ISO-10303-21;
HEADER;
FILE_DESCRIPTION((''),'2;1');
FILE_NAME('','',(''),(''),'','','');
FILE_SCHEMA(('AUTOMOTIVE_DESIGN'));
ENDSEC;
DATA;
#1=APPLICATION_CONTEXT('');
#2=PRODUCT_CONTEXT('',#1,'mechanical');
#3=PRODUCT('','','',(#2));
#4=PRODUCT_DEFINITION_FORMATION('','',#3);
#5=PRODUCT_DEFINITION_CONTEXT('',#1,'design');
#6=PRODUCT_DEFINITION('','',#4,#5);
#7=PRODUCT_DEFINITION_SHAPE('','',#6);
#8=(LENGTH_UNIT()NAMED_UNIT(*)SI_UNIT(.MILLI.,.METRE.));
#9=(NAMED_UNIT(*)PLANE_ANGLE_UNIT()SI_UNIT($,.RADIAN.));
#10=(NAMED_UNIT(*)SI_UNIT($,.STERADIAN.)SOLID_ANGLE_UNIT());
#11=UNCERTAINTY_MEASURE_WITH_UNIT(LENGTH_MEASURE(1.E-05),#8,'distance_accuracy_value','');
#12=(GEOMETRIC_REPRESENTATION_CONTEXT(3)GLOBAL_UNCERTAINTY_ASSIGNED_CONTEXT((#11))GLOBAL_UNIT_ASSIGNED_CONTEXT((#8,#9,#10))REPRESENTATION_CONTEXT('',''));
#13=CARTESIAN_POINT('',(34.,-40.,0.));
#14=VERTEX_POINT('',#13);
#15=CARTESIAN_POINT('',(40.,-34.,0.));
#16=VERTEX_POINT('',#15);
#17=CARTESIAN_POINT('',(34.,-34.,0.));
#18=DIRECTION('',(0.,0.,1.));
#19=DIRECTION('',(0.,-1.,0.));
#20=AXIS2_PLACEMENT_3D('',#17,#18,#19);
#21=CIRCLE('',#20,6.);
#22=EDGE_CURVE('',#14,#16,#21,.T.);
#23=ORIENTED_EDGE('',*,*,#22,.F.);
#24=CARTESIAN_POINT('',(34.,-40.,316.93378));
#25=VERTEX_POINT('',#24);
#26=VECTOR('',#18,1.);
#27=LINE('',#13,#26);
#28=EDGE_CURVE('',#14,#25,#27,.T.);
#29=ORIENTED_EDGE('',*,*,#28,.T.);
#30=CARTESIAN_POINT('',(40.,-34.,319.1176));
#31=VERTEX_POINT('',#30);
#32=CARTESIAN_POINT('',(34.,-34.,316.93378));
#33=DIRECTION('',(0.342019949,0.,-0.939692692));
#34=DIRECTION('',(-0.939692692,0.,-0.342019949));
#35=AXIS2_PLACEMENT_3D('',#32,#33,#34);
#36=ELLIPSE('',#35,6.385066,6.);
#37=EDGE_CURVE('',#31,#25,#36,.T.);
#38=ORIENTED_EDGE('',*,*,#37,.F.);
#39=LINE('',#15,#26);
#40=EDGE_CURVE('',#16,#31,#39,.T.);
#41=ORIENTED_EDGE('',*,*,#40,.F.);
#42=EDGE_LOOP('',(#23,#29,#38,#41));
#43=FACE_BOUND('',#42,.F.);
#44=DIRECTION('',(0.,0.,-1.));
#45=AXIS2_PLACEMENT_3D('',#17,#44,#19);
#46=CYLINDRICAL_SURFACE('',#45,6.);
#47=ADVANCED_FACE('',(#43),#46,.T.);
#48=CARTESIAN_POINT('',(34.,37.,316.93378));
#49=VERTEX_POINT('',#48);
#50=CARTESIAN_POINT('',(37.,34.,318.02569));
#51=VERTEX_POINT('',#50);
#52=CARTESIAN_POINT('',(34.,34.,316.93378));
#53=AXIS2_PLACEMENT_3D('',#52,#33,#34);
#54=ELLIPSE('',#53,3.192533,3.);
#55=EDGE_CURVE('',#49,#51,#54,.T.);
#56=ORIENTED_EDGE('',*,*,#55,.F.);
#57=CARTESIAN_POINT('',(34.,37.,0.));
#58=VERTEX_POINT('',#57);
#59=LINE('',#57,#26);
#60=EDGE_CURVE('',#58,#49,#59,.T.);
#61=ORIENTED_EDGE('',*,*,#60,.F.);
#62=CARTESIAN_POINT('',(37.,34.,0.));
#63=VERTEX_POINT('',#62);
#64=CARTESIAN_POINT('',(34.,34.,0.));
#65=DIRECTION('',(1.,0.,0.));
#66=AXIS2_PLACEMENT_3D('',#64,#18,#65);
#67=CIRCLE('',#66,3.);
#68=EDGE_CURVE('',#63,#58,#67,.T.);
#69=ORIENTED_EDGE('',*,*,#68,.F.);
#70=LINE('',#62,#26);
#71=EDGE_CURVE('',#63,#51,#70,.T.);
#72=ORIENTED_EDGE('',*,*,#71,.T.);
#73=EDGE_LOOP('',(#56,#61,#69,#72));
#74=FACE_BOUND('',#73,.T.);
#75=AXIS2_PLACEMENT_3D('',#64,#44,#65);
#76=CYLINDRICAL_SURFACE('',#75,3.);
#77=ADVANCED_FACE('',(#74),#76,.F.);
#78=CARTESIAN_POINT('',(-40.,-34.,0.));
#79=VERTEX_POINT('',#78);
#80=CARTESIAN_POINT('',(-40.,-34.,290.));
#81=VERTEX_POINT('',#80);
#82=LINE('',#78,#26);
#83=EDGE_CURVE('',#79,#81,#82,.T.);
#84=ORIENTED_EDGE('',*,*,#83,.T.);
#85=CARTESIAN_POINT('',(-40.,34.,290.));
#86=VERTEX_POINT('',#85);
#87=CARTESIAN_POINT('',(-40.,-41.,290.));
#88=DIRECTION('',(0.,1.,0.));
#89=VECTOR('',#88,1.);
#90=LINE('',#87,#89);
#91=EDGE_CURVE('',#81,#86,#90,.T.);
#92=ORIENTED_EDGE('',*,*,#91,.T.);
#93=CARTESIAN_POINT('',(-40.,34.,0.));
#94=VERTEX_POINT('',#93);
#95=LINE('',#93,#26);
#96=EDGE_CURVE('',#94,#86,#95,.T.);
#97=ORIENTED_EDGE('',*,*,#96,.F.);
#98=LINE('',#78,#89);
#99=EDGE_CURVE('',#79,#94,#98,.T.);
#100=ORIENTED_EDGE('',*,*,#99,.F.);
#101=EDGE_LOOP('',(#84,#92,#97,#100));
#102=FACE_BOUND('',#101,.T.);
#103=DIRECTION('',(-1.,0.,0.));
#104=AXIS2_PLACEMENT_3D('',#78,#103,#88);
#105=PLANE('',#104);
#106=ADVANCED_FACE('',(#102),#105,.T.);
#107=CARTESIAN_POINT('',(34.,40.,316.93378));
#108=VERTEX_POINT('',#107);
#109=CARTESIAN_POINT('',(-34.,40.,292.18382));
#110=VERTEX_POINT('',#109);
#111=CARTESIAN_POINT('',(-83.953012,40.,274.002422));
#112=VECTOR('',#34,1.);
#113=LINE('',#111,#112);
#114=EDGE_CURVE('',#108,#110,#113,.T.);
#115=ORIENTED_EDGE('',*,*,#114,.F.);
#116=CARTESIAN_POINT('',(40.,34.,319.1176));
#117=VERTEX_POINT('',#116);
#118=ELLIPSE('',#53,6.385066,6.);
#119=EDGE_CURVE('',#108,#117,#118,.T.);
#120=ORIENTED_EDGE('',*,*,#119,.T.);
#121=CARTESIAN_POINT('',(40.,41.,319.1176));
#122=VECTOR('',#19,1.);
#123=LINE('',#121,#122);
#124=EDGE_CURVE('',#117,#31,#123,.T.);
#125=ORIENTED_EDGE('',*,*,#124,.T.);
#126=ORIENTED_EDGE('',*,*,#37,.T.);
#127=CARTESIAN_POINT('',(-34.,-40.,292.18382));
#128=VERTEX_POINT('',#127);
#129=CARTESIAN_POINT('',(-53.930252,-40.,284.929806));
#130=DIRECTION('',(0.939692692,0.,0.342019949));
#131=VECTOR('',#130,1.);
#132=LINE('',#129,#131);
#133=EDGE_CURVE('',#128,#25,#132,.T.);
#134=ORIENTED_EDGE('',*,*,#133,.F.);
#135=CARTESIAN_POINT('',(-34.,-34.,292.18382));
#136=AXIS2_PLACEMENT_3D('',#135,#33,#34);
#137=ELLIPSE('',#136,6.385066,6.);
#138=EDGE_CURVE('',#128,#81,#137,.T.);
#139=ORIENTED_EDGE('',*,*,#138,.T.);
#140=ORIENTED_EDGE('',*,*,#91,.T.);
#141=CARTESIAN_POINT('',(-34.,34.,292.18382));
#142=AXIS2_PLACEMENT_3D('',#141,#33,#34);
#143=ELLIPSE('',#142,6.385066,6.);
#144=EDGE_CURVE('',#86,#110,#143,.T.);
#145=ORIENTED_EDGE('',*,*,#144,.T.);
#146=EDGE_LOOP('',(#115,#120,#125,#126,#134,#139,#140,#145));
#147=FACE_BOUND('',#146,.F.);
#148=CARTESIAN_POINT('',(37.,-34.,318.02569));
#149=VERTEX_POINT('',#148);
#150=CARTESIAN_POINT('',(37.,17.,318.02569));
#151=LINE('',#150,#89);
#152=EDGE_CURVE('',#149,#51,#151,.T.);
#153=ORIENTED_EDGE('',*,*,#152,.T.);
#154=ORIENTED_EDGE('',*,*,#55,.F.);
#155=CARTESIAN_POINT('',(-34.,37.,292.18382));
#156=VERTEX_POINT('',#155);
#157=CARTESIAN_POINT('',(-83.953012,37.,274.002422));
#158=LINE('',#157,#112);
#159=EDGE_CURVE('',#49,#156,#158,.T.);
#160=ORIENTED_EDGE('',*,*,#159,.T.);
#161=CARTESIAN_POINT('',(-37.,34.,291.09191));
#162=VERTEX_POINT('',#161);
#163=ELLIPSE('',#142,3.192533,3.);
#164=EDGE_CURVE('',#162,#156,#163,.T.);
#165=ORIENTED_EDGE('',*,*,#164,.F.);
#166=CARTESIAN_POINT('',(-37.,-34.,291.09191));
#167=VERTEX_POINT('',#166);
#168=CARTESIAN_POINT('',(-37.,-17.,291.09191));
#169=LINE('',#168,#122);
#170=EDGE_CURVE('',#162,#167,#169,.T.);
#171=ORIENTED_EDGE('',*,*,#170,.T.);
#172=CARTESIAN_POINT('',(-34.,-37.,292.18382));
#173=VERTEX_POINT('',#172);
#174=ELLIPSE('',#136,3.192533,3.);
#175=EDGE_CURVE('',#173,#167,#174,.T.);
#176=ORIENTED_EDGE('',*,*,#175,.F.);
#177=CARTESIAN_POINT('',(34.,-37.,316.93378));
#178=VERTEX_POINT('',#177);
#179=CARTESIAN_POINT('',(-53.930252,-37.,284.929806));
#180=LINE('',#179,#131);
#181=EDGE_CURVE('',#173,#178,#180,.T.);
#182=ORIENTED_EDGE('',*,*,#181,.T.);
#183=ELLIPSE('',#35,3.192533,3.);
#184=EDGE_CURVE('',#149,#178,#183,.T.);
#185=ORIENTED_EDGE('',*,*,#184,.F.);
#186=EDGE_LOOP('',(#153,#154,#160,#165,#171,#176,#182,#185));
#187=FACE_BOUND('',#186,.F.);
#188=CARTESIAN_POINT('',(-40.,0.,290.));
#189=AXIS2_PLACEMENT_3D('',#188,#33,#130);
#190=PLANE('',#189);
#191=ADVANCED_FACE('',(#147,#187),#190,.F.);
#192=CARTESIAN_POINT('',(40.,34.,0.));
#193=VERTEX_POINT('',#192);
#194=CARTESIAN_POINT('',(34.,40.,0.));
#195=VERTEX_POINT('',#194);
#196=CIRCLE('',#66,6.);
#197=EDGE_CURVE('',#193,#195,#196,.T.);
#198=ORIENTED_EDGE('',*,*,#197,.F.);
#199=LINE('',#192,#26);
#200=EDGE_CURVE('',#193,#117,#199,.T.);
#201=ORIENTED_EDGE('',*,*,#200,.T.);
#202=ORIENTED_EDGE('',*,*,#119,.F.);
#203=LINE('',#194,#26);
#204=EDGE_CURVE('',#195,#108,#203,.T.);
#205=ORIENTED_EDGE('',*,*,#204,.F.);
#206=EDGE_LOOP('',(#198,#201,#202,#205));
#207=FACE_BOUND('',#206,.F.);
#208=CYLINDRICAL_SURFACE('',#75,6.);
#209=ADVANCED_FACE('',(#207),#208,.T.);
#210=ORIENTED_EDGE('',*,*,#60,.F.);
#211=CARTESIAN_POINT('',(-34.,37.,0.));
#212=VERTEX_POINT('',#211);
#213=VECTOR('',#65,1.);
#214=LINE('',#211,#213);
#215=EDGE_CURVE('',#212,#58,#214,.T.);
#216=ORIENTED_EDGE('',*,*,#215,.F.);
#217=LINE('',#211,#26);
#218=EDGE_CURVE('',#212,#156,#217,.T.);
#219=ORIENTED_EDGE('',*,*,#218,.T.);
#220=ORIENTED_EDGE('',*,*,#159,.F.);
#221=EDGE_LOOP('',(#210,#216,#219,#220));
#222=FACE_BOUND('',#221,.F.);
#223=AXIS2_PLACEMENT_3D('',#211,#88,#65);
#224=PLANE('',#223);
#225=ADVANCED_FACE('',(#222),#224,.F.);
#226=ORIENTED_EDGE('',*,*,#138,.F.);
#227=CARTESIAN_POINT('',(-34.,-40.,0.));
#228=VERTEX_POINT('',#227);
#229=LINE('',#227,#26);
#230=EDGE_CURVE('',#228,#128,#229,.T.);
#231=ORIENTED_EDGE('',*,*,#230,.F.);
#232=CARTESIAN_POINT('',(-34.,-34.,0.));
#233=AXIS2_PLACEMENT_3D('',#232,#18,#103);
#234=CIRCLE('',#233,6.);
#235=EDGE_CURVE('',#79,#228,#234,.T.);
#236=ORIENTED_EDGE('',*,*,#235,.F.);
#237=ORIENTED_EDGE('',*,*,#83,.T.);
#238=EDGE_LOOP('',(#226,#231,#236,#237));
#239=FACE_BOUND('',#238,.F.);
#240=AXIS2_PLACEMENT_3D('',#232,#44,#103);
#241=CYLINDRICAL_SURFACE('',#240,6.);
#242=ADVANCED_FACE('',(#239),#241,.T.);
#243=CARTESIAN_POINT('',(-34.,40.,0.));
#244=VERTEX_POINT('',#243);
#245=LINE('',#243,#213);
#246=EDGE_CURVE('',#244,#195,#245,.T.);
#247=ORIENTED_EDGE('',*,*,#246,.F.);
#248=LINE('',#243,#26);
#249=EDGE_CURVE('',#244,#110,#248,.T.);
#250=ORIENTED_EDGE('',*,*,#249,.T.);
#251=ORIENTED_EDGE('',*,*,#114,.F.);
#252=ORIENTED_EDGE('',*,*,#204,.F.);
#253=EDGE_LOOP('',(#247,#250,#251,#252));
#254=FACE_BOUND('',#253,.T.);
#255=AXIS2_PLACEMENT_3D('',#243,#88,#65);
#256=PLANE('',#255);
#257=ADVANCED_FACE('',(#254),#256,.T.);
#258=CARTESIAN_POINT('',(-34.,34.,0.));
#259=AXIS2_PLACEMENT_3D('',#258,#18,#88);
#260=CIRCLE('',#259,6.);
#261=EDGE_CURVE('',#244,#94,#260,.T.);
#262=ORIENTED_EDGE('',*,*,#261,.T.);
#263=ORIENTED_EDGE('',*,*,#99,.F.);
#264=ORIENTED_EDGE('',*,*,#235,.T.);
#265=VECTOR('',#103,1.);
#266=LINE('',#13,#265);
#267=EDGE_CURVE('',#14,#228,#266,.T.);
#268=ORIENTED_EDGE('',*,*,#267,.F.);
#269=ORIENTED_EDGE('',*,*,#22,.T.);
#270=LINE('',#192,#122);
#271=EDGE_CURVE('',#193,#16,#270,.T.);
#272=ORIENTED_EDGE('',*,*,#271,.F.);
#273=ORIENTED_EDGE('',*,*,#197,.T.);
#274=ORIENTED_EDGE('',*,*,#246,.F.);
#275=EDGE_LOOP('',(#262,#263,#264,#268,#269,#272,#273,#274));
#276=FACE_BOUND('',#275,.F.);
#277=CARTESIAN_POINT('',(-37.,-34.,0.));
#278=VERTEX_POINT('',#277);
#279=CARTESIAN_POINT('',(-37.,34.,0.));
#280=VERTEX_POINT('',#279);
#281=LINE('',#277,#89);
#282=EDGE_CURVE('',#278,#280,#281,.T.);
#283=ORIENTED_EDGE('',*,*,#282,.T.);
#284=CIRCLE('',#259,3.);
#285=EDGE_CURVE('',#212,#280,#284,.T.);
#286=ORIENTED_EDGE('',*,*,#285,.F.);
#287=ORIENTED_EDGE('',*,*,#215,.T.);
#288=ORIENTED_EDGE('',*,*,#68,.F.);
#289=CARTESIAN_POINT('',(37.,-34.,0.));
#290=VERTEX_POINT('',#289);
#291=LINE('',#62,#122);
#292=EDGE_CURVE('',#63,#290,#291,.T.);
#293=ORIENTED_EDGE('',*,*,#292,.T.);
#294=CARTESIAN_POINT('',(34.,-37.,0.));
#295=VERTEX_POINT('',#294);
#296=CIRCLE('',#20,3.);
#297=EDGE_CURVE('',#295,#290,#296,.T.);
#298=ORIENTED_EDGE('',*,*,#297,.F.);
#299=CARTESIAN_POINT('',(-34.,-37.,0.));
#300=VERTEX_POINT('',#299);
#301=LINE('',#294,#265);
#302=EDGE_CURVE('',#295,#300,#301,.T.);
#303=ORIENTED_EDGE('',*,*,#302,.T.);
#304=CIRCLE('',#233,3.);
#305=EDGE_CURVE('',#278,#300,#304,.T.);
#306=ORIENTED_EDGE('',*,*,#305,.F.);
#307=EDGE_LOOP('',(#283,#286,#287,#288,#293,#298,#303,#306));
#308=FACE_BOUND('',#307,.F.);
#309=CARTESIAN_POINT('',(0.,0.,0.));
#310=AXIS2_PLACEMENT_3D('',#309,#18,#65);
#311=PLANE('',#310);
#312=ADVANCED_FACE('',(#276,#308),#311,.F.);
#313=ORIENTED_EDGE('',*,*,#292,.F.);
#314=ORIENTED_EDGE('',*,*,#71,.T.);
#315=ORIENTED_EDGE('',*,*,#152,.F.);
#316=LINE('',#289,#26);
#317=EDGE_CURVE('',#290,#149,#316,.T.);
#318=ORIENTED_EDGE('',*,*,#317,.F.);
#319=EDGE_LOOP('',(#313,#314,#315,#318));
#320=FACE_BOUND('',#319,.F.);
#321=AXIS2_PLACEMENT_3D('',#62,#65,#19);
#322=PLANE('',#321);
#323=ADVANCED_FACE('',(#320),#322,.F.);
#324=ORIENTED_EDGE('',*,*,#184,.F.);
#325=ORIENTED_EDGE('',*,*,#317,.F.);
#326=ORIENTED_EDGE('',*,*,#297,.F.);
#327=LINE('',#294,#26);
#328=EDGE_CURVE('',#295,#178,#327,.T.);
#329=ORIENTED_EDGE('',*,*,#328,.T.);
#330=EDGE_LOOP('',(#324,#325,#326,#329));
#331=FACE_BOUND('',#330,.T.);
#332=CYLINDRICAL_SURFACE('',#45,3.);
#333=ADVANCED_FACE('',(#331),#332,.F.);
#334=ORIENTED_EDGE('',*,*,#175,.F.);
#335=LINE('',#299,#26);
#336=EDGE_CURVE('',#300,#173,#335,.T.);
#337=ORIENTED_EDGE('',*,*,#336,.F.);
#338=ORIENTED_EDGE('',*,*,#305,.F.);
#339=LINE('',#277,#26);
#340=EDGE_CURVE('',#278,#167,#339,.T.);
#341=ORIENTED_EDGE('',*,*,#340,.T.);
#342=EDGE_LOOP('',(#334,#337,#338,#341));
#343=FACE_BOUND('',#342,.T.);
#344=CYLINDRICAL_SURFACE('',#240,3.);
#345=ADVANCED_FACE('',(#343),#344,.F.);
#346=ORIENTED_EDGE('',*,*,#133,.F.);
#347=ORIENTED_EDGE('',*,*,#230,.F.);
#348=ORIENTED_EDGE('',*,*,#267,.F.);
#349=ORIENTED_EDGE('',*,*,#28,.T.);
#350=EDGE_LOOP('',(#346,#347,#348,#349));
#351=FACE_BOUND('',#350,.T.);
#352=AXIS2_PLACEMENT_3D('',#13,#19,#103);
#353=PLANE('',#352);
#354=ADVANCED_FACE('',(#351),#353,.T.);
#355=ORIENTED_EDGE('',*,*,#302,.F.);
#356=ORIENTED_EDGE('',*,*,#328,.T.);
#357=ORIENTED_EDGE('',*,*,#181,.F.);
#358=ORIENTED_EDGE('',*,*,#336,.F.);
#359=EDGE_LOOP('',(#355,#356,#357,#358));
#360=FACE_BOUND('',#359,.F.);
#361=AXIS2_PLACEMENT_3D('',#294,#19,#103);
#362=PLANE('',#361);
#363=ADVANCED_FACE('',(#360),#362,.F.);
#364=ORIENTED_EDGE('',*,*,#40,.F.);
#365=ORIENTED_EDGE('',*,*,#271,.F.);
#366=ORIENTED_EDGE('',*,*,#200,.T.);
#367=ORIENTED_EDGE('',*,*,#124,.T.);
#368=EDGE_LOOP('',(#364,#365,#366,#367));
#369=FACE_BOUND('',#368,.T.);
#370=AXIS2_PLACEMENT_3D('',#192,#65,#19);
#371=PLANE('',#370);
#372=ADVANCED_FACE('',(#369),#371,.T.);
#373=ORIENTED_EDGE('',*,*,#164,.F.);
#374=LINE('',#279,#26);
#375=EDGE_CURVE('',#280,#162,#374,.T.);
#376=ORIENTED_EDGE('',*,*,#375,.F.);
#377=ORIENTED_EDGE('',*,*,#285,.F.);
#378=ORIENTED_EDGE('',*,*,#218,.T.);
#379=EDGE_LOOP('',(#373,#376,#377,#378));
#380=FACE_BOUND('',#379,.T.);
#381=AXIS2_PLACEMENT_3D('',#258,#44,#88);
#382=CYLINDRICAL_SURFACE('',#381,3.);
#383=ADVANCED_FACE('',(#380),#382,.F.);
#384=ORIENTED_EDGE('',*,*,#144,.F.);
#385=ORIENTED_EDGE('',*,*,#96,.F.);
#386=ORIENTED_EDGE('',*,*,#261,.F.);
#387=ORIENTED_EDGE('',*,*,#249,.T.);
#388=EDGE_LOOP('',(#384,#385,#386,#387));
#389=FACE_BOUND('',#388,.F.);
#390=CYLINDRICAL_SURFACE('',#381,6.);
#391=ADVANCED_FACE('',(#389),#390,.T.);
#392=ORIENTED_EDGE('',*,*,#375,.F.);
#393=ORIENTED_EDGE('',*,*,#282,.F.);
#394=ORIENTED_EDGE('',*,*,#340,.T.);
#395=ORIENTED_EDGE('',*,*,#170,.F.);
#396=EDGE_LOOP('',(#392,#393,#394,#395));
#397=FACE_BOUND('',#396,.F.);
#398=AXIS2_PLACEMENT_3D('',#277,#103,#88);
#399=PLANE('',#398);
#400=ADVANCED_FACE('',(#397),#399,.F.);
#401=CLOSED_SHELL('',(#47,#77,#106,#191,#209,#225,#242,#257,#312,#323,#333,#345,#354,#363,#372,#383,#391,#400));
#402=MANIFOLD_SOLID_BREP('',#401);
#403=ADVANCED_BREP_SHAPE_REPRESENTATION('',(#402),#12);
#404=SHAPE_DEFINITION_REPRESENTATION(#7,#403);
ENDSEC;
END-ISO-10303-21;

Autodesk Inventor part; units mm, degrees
ref_plane "YZ Plane" through (0, 0, 0) normal (1, 0, 0) x (0, 1, 0)
ref_plane "Start plane" through (0, 0, 0) normal (0, 0, 1) x (1, 0, 0)
ref_plane "End plane" through (0, 0, 1000) normal (0, 0, 1) x (1, 0, 0)
sketch "Sketch" plane through (0, 0, 0) normal (0, 0, 1) x (1, 0, 0)
  line L0 (-40, -34) -> (-40, 34)
  line L1 (-34, 40) -> (34, 40)
  line L2 (40, 34) -> (40, -34)
  line L3 (34, -40) -> (-34, -40)
  arc A0 (-40, -34) -> (-34, -40) centre (-34, -34) ccw
  arc A1 (40, 34) -> (34, 40) centre (34, 34) ccw
  arc A2 (-34, 40) -> (-40, 34) centre (-34, 34) ccw
  arc A3 (34, -40) -> (40, -34) centre (34, -34) ccw
  arc A4 (-34, 37) -> (-37, 34) centre (-34, 34) ccw
  line L4 (-34, 37) -> (34, 37)
  arc A5 (37, 34) -> (34, 37) centre (34, 34) ccw
  line L5 (37, 34) -> (37, -34)
  arc A6 (34, -37) -> (37, -34) centre (34, -34) ccw
  line L6 (34, -37) -> (-34, -37)
  arc A7 (-37, -34) -> (-34, -37) centre (-34, -34) ccw
  line L7 (-37, -34) -> (-37, 34)
  line L8 (0, 57.7397) -> (0, -57.7397) construction
  line L9 (-57.7397, 0) -> (57.7397, 0) construction
  dimension "d7" = 6
  dimension "d9" = 80
  dimension "d11" = 80
  dimension "d12" = 3
  dimension "d15" = 40
  dimension "d16" = 40
extrude "Body" add sketch "Sketch" along normal up to surface (1000 mm away) from surface at 0
sketch "Sketch3" plane through (0, 0, 0) normal (0, 0, 1) x (1, 0, 0)
  line L0 (0, 0) -> (10, 0)
ref_plane "Work Plane3" through (0, 0, 0) normal (0, -1, 0) x (1, 0, 0)
sketch "Sketch7" plane through (0, 0, 0) normal (0, 1, 0) x (-1, 0, 0)
  line L0 (40, 0) -> (40, 1000) projected
  line L1 (-40, 0) -> (-40, 1000) projected
  line L2 (40, 290) -> (-40, 319.1176)
  line L3 (-40, 1000) -> (-34, 1000) projected
  line L4 (40, 1000) -> (-40, 1000)
  point P0 (0, 0)
  dimension "d37" = 290
  dimension "d38" = 70
extrude "Extrusion3" cut sketch "Sketch7" along normal through all both and the other way through all
sketch "Sketch4" plane through (0, 0, 0) normal (0, -1, 0) x (1, 0, 0)
  line L0 (-2, 0) -> (12, 0) projected
  line L1 (-2, 1000) -> (12, 1000) projected
  dimension "d18" = 1000
equation "\"d7\" = G_IR"
equation "\"d9\" = G_W"
equation "\"d11\" = G_H"
equation "\"d12\" = G_T"
equation "\"d15\" = 0.5 * d9"
equation "\"d16\" = 0.5 * d11"
equation "\"d3\" = G_L"
equation "\"G_W\" = 80"
equation "\"G_H\" = 80"
equation "\"G_T\" = 3"
equation "\"G_IR\" = 6"
equation "\"G_L\" = d18"
equation "\"G_OFFSET_START\" = 0"
equation "\"G_OFFSET_END\" = 0"
properties part number "PRS 1200-91 Leg tube" material "Steel, Mild"
